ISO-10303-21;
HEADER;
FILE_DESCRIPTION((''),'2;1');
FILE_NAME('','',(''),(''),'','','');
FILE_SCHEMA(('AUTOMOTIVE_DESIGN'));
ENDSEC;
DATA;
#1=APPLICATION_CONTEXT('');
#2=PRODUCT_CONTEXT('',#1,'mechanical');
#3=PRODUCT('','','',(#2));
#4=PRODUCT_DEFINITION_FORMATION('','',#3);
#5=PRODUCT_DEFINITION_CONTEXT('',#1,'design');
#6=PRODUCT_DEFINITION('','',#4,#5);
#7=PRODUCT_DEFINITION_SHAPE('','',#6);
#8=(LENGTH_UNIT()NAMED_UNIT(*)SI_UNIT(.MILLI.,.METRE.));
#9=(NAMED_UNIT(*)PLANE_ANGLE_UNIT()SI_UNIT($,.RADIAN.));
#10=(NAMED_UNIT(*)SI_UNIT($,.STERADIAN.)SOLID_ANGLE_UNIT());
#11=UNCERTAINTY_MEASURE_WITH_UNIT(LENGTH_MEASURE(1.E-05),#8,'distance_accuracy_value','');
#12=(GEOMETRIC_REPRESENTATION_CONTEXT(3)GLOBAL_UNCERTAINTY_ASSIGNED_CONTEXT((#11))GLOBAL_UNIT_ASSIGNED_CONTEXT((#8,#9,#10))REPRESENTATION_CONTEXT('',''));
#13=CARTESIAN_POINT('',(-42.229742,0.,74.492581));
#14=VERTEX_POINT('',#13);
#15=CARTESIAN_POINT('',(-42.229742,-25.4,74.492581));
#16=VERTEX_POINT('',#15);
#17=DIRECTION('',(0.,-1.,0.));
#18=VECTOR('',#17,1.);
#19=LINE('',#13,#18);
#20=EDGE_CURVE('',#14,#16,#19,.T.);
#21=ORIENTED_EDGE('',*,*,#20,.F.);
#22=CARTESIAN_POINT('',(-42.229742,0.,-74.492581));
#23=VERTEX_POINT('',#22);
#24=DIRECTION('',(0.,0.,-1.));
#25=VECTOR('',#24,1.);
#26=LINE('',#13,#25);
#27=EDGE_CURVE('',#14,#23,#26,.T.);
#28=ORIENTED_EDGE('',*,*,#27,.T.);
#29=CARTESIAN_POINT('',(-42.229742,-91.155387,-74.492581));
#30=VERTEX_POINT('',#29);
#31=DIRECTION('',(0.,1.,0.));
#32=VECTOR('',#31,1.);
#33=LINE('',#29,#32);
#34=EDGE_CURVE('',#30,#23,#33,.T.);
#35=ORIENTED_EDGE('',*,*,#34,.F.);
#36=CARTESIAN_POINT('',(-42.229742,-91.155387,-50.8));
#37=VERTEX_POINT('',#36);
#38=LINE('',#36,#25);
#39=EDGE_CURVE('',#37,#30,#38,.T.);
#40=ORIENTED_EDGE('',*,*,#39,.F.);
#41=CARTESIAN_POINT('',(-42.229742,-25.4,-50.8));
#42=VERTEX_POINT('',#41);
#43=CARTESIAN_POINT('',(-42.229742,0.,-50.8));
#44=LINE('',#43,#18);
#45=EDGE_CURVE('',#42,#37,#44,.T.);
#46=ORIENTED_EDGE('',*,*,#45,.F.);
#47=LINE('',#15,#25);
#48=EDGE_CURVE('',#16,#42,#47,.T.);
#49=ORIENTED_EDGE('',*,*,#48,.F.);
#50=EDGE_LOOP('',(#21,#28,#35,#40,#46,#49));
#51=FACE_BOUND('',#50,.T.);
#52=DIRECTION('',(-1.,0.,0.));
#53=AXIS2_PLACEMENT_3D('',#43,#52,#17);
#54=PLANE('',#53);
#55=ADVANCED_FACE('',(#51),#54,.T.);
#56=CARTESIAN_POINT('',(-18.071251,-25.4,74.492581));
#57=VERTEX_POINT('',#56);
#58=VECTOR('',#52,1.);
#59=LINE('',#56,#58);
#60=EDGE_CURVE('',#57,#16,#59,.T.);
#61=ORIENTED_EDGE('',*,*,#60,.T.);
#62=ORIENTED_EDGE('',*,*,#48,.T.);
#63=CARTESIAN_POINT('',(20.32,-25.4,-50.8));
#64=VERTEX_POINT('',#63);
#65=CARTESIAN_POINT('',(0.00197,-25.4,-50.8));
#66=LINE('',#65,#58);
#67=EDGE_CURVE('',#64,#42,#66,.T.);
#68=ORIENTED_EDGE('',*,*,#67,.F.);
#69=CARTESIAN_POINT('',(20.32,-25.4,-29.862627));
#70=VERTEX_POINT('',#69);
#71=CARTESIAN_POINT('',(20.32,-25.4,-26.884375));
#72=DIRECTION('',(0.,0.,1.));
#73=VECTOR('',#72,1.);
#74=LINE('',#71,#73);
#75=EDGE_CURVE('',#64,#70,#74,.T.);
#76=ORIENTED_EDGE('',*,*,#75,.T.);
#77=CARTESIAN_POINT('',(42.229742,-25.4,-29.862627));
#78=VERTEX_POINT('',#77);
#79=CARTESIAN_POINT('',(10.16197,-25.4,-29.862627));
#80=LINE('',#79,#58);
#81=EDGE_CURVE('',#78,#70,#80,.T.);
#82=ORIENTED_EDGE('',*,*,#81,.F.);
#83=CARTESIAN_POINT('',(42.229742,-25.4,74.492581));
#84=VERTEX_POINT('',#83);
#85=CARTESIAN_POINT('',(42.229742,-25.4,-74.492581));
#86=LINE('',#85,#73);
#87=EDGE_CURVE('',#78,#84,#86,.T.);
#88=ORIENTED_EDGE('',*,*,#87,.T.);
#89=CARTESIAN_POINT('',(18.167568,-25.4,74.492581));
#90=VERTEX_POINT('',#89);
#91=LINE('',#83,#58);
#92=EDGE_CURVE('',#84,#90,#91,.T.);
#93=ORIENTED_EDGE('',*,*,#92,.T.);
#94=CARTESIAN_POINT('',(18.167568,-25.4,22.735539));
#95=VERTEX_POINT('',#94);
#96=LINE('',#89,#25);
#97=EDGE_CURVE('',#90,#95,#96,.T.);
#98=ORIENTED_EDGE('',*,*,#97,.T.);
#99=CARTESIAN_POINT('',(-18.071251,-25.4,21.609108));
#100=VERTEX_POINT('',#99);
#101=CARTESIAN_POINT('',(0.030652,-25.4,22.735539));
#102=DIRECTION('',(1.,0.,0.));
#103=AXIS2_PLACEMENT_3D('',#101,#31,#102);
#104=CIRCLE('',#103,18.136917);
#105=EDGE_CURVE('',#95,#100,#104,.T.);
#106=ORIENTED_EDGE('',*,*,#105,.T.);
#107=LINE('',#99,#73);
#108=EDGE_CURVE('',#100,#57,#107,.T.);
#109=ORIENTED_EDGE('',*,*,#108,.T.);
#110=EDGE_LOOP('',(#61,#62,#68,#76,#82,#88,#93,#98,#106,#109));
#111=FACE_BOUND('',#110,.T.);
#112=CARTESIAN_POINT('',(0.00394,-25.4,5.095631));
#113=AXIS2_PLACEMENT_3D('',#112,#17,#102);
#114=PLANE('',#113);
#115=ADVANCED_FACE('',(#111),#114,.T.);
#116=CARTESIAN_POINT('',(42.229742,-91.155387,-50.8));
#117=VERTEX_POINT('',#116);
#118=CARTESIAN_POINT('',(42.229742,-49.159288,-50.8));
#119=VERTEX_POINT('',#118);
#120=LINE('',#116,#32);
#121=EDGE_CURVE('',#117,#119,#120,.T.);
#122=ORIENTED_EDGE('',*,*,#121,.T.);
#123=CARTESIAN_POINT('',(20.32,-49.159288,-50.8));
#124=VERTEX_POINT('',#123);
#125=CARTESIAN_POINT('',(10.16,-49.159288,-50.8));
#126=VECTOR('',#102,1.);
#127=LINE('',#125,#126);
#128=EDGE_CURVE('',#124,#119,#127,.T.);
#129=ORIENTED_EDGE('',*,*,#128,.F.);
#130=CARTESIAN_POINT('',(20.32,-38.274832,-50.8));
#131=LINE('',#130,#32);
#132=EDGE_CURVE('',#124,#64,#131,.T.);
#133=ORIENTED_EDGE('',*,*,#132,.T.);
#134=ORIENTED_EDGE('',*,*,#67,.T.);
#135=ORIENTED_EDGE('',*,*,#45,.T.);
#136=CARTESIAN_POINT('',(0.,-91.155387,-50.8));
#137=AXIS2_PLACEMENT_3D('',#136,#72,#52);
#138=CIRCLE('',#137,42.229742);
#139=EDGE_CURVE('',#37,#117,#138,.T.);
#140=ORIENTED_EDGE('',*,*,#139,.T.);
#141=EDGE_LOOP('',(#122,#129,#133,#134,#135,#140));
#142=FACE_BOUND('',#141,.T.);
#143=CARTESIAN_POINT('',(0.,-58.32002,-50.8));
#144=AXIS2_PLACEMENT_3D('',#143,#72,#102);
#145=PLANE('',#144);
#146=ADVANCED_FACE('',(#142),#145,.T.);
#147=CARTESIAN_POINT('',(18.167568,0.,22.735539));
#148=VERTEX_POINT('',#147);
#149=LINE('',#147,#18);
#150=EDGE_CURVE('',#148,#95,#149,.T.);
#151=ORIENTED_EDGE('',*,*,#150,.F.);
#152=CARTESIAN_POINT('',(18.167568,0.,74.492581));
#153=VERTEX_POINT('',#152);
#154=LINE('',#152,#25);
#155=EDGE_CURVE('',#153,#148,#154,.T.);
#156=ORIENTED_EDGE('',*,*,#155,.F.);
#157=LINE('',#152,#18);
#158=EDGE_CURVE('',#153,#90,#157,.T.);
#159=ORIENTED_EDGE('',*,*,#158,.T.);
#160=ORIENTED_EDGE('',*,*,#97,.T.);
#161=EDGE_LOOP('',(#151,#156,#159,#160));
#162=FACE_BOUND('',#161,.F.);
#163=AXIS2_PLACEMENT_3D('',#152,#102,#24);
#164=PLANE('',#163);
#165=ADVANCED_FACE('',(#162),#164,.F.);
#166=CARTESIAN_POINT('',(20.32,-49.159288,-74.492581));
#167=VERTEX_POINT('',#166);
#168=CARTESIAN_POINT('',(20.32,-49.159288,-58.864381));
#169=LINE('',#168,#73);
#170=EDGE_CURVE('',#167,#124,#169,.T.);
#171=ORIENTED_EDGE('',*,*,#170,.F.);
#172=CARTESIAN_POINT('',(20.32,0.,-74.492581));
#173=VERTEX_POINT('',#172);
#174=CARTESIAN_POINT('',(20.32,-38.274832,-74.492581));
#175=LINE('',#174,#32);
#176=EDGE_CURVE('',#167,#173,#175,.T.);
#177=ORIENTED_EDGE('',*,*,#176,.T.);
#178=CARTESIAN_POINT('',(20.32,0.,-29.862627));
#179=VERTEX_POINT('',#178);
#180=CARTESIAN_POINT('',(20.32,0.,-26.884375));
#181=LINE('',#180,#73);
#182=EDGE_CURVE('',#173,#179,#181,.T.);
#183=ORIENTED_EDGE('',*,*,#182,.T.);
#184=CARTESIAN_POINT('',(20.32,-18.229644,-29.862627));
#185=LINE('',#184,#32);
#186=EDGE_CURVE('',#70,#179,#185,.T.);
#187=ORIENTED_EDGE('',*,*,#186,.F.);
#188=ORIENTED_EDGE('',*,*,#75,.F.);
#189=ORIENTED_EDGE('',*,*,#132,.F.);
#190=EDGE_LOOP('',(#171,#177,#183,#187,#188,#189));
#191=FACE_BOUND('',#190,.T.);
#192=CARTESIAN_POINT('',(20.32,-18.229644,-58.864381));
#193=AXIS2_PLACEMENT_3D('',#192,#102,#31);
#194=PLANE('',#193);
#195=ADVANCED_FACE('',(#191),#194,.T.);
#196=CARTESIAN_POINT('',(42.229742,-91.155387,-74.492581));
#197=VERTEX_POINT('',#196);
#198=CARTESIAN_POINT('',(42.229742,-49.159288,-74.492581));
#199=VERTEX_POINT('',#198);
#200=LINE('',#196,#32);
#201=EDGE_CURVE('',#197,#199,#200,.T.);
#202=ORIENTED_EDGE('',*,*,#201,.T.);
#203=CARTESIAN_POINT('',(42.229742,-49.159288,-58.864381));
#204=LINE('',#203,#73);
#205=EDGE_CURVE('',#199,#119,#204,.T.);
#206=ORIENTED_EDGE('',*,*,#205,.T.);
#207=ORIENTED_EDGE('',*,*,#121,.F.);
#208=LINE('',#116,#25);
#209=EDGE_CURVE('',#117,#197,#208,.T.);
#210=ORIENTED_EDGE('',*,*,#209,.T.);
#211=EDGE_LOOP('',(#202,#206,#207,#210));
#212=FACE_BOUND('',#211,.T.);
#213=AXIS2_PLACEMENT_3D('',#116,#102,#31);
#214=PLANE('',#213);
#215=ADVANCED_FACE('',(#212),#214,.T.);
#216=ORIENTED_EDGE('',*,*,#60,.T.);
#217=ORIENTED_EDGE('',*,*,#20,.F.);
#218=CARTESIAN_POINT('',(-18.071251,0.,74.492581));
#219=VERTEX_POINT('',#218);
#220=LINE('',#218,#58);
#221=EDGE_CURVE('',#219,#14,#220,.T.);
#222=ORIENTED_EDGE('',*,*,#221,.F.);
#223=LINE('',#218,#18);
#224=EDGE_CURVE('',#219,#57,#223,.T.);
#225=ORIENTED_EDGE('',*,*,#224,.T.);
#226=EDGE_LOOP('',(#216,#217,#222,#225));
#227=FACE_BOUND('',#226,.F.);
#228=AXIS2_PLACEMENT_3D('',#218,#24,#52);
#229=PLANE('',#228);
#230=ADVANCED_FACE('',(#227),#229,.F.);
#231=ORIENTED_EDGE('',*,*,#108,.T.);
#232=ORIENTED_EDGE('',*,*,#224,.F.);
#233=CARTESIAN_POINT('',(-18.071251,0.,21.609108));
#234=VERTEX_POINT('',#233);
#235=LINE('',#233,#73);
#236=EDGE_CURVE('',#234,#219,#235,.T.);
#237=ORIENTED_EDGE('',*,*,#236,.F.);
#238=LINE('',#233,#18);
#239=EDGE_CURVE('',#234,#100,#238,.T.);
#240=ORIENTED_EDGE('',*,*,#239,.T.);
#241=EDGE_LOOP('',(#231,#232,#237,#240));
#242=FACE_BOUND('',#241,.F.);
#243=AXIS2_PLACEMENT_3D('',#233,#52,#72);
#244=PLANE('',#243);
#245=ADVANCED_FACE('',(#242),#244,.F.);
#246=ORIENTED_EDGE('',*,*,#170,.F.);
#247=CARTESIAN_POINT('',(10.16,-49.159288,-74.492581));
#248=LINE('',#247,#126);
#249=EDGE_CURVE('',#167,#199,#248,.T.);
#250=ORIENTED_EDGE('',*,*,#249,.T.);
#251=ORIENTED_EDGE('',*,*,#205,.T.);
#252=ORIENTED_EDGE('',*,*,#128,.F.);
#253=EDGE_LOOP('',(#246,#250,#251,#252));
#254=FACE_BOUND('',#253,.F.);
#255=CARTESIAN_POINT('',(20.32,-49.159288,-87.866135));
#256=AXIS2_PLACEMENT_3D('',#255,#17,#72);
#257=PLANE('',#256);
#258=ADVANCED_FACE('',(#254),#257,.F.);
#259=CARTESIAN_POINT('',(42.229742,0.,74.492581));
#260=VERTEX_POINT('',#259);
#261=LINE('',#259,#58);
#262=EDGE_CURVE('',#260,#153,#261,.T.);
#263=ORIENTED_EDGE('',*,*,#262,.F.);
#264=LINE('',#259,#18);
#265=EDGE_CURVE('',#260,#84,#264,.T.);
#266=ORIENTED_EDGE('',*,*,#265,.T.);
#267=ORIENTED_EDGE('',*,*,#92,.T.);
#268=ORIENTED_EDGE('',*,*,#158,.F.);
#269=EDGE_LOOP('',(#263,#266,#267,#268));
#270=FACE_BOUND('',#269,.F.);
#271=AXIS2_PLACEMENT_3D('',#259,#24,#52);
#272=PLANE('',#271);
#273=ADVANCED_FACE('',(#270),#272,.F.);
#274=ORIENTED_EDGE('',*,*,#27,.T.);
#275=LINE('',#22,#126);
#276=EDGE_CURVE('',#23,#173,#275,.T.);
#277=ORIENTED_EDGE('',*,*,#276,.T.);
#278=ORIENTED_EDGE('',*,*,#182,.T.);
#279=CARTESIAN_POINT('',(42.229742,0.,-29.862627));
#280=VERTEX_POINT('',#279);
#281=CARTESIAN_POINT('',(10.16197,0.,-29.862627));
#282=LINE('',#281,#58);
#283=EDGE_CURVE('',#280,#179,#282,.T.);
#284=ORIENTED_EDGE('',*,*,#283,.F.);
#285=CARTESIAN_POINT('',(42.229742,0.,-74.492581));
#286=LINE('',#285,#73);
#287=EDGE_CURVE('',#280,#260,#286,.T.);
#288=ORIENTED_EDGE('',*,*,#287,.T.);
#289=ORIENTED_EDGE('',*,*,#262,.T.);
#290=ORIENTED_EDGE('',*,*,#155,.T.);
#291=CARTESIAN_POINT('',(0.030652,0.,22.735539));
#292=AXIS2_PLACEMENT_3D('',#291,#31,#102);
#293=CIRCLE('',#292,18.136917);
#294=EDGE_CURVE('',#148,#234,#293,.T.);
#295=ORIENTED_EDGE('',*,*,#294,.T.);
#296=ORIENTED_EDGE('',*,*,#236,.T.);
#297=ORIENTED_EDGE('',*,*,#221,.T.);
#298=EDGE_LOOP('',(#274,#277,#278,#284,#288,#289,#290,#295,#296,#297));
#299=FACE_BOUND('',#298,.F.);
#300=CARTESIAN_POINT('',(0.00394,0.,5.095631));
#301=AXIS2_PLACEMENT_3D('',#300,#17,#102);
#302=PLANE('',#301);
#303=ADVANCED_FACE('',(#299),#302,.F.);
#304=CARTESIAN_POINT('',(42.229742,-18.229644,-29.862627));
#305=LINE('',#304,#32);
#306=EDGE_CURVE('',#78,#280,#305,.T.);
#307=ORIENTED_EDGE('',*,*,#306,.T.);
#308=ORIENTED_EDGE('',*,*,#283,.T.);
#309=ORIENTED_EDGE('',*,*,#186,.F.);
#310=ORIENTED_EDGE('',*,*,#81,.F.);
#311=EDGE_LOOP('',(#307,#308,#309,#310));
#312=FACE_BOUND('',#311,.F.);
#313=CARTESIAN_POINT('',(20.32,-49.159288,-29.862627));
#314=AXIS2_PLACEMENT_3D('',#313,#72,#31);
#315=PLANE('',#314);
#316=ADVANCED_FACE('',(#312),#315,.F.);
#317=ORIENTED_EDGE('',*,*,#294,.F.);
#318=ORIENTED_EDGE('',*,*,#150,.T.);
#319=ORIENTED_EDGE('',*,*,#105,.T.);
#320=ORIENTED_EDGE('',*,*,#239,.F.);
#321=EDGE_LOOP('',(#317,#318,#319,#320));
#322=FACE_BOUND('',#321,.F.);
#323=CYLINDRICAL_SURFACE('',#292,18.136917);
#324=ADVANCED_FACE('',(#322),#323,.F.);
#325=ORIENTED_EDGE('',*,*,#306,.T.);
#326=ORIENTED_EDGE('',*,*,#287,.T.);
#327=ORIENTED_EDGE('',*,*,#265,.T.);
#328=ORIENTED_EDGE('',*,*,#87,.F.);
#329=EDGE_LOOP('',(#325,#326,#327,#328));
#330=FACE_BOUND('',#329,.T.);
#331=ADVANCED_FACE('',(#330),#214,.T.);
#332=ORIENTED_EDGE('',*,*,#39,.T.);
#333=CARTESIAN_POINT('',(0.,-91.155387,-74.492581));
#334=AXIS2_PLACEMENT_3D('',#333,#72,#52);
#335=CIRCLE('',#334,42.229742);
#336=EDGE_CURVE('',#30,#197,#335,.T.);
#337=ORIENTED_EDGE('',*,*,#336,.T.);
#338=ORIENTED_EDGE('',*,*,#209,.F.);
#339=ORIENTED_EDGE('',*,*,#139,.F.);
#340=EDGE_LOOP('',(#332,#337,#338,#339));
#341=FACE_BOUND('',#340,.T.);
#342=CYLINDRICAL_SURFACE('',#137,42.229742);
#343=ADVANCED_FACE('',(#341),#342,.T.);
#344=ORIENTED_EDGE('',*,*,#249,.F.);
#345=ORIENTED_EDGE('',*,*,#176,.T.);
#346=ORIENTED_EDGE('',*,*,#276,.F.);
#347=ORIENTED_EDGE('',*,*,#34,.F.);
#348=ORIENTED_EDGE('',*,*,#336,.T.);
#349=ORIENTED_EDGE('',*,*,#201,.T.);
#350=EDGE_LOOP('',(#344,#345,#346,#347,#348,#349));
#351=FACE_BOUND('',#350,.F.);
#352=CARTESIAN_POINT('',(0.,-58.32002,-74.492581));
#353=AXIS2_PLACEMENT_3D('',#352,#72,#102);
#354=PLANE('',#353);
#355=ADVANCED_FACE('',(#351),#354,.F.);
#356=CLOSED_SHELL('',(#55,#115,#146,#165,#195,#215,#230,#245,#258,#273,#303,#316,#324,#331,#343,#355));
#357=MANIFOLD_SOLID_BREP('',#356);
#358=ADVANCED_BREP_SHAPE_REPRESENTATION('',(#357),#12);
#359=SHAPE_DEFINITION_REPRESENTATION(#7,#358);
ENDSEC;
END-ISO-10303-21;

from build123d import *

# Parameters (mm, degrees)
F1_DEPTH = 25.4
F3_START = -50.8
F3_DEPTH = 23.6925811887
F5_START = 20.32
F4_W     = 61.8592891842
F4_H     = 58.0035075545
F5_DEPTH = 21.9097418118


with BuildPart() as f1:
    # F0 (on Front) → F1 (new body)
    with BuildSketch(Plane.XZ):
        with BuildLine():
            Line((42.2297418118, -74.4925811887), (42.2297418118, 74.4925811887))
            Line((42.2297418118, 74.4925811887), (18.1675682396, 74.4925811887))
            Line((18.1675682396, 74.4925811887), (18.1675682396, 22.7355392748))
            ThreePointArc((18.1675682396, 22.7355392748), (0.5941393293, 4.6073781801), (-18.0712514327, 21.6091079758))
            Line((-18.0712514327, 21.6091079758), (-18.0712514327, 74.4925811887))
            Line((-18.0712514327, 74.4925811887), (-42.2297418118, 74.4925811887))
            Line((-42.2297418118, 74.4925811887), (-42.2297418118, -74.4925811887))
            Line((-42.2297418118, -74.4925811887), (42.2297418118, -74.4925811887))
        make_face()
    extrude(amount=F1_DEPTH)

    # F2 (on Top) → F3 (join)
    with BuildSketch(Plane.XY.offset(F3_START)):
        with BuildLine():
            Line((42.2297418118, -91.1553874612), (42.2297418118, 0))
            Line((42.2297418118, 0), (-42.2297418118, 0))
            Line((-42.2297418118, 0), (-42.2297418118, -91.1553874612))
            ThreePointArc((-42.2297418118, -91.1553874612), (0, -133.3851292729), (42.2297418118, -91.1553874612))
        make_face()
    extrude(amount=-F3_DEPTH)

    # F4 (on Right) → F5 (cut)
    with BuildSketch(Plane.YZ.offset(F5_START)):
        with Locations((-18.2296438143, -58.8643811643)):
            Rectangle(F4_W, F4_H)
    extrude(amount=F5_DEPTH, mode=Mode.SUBTRACT)


solid = f1.part
